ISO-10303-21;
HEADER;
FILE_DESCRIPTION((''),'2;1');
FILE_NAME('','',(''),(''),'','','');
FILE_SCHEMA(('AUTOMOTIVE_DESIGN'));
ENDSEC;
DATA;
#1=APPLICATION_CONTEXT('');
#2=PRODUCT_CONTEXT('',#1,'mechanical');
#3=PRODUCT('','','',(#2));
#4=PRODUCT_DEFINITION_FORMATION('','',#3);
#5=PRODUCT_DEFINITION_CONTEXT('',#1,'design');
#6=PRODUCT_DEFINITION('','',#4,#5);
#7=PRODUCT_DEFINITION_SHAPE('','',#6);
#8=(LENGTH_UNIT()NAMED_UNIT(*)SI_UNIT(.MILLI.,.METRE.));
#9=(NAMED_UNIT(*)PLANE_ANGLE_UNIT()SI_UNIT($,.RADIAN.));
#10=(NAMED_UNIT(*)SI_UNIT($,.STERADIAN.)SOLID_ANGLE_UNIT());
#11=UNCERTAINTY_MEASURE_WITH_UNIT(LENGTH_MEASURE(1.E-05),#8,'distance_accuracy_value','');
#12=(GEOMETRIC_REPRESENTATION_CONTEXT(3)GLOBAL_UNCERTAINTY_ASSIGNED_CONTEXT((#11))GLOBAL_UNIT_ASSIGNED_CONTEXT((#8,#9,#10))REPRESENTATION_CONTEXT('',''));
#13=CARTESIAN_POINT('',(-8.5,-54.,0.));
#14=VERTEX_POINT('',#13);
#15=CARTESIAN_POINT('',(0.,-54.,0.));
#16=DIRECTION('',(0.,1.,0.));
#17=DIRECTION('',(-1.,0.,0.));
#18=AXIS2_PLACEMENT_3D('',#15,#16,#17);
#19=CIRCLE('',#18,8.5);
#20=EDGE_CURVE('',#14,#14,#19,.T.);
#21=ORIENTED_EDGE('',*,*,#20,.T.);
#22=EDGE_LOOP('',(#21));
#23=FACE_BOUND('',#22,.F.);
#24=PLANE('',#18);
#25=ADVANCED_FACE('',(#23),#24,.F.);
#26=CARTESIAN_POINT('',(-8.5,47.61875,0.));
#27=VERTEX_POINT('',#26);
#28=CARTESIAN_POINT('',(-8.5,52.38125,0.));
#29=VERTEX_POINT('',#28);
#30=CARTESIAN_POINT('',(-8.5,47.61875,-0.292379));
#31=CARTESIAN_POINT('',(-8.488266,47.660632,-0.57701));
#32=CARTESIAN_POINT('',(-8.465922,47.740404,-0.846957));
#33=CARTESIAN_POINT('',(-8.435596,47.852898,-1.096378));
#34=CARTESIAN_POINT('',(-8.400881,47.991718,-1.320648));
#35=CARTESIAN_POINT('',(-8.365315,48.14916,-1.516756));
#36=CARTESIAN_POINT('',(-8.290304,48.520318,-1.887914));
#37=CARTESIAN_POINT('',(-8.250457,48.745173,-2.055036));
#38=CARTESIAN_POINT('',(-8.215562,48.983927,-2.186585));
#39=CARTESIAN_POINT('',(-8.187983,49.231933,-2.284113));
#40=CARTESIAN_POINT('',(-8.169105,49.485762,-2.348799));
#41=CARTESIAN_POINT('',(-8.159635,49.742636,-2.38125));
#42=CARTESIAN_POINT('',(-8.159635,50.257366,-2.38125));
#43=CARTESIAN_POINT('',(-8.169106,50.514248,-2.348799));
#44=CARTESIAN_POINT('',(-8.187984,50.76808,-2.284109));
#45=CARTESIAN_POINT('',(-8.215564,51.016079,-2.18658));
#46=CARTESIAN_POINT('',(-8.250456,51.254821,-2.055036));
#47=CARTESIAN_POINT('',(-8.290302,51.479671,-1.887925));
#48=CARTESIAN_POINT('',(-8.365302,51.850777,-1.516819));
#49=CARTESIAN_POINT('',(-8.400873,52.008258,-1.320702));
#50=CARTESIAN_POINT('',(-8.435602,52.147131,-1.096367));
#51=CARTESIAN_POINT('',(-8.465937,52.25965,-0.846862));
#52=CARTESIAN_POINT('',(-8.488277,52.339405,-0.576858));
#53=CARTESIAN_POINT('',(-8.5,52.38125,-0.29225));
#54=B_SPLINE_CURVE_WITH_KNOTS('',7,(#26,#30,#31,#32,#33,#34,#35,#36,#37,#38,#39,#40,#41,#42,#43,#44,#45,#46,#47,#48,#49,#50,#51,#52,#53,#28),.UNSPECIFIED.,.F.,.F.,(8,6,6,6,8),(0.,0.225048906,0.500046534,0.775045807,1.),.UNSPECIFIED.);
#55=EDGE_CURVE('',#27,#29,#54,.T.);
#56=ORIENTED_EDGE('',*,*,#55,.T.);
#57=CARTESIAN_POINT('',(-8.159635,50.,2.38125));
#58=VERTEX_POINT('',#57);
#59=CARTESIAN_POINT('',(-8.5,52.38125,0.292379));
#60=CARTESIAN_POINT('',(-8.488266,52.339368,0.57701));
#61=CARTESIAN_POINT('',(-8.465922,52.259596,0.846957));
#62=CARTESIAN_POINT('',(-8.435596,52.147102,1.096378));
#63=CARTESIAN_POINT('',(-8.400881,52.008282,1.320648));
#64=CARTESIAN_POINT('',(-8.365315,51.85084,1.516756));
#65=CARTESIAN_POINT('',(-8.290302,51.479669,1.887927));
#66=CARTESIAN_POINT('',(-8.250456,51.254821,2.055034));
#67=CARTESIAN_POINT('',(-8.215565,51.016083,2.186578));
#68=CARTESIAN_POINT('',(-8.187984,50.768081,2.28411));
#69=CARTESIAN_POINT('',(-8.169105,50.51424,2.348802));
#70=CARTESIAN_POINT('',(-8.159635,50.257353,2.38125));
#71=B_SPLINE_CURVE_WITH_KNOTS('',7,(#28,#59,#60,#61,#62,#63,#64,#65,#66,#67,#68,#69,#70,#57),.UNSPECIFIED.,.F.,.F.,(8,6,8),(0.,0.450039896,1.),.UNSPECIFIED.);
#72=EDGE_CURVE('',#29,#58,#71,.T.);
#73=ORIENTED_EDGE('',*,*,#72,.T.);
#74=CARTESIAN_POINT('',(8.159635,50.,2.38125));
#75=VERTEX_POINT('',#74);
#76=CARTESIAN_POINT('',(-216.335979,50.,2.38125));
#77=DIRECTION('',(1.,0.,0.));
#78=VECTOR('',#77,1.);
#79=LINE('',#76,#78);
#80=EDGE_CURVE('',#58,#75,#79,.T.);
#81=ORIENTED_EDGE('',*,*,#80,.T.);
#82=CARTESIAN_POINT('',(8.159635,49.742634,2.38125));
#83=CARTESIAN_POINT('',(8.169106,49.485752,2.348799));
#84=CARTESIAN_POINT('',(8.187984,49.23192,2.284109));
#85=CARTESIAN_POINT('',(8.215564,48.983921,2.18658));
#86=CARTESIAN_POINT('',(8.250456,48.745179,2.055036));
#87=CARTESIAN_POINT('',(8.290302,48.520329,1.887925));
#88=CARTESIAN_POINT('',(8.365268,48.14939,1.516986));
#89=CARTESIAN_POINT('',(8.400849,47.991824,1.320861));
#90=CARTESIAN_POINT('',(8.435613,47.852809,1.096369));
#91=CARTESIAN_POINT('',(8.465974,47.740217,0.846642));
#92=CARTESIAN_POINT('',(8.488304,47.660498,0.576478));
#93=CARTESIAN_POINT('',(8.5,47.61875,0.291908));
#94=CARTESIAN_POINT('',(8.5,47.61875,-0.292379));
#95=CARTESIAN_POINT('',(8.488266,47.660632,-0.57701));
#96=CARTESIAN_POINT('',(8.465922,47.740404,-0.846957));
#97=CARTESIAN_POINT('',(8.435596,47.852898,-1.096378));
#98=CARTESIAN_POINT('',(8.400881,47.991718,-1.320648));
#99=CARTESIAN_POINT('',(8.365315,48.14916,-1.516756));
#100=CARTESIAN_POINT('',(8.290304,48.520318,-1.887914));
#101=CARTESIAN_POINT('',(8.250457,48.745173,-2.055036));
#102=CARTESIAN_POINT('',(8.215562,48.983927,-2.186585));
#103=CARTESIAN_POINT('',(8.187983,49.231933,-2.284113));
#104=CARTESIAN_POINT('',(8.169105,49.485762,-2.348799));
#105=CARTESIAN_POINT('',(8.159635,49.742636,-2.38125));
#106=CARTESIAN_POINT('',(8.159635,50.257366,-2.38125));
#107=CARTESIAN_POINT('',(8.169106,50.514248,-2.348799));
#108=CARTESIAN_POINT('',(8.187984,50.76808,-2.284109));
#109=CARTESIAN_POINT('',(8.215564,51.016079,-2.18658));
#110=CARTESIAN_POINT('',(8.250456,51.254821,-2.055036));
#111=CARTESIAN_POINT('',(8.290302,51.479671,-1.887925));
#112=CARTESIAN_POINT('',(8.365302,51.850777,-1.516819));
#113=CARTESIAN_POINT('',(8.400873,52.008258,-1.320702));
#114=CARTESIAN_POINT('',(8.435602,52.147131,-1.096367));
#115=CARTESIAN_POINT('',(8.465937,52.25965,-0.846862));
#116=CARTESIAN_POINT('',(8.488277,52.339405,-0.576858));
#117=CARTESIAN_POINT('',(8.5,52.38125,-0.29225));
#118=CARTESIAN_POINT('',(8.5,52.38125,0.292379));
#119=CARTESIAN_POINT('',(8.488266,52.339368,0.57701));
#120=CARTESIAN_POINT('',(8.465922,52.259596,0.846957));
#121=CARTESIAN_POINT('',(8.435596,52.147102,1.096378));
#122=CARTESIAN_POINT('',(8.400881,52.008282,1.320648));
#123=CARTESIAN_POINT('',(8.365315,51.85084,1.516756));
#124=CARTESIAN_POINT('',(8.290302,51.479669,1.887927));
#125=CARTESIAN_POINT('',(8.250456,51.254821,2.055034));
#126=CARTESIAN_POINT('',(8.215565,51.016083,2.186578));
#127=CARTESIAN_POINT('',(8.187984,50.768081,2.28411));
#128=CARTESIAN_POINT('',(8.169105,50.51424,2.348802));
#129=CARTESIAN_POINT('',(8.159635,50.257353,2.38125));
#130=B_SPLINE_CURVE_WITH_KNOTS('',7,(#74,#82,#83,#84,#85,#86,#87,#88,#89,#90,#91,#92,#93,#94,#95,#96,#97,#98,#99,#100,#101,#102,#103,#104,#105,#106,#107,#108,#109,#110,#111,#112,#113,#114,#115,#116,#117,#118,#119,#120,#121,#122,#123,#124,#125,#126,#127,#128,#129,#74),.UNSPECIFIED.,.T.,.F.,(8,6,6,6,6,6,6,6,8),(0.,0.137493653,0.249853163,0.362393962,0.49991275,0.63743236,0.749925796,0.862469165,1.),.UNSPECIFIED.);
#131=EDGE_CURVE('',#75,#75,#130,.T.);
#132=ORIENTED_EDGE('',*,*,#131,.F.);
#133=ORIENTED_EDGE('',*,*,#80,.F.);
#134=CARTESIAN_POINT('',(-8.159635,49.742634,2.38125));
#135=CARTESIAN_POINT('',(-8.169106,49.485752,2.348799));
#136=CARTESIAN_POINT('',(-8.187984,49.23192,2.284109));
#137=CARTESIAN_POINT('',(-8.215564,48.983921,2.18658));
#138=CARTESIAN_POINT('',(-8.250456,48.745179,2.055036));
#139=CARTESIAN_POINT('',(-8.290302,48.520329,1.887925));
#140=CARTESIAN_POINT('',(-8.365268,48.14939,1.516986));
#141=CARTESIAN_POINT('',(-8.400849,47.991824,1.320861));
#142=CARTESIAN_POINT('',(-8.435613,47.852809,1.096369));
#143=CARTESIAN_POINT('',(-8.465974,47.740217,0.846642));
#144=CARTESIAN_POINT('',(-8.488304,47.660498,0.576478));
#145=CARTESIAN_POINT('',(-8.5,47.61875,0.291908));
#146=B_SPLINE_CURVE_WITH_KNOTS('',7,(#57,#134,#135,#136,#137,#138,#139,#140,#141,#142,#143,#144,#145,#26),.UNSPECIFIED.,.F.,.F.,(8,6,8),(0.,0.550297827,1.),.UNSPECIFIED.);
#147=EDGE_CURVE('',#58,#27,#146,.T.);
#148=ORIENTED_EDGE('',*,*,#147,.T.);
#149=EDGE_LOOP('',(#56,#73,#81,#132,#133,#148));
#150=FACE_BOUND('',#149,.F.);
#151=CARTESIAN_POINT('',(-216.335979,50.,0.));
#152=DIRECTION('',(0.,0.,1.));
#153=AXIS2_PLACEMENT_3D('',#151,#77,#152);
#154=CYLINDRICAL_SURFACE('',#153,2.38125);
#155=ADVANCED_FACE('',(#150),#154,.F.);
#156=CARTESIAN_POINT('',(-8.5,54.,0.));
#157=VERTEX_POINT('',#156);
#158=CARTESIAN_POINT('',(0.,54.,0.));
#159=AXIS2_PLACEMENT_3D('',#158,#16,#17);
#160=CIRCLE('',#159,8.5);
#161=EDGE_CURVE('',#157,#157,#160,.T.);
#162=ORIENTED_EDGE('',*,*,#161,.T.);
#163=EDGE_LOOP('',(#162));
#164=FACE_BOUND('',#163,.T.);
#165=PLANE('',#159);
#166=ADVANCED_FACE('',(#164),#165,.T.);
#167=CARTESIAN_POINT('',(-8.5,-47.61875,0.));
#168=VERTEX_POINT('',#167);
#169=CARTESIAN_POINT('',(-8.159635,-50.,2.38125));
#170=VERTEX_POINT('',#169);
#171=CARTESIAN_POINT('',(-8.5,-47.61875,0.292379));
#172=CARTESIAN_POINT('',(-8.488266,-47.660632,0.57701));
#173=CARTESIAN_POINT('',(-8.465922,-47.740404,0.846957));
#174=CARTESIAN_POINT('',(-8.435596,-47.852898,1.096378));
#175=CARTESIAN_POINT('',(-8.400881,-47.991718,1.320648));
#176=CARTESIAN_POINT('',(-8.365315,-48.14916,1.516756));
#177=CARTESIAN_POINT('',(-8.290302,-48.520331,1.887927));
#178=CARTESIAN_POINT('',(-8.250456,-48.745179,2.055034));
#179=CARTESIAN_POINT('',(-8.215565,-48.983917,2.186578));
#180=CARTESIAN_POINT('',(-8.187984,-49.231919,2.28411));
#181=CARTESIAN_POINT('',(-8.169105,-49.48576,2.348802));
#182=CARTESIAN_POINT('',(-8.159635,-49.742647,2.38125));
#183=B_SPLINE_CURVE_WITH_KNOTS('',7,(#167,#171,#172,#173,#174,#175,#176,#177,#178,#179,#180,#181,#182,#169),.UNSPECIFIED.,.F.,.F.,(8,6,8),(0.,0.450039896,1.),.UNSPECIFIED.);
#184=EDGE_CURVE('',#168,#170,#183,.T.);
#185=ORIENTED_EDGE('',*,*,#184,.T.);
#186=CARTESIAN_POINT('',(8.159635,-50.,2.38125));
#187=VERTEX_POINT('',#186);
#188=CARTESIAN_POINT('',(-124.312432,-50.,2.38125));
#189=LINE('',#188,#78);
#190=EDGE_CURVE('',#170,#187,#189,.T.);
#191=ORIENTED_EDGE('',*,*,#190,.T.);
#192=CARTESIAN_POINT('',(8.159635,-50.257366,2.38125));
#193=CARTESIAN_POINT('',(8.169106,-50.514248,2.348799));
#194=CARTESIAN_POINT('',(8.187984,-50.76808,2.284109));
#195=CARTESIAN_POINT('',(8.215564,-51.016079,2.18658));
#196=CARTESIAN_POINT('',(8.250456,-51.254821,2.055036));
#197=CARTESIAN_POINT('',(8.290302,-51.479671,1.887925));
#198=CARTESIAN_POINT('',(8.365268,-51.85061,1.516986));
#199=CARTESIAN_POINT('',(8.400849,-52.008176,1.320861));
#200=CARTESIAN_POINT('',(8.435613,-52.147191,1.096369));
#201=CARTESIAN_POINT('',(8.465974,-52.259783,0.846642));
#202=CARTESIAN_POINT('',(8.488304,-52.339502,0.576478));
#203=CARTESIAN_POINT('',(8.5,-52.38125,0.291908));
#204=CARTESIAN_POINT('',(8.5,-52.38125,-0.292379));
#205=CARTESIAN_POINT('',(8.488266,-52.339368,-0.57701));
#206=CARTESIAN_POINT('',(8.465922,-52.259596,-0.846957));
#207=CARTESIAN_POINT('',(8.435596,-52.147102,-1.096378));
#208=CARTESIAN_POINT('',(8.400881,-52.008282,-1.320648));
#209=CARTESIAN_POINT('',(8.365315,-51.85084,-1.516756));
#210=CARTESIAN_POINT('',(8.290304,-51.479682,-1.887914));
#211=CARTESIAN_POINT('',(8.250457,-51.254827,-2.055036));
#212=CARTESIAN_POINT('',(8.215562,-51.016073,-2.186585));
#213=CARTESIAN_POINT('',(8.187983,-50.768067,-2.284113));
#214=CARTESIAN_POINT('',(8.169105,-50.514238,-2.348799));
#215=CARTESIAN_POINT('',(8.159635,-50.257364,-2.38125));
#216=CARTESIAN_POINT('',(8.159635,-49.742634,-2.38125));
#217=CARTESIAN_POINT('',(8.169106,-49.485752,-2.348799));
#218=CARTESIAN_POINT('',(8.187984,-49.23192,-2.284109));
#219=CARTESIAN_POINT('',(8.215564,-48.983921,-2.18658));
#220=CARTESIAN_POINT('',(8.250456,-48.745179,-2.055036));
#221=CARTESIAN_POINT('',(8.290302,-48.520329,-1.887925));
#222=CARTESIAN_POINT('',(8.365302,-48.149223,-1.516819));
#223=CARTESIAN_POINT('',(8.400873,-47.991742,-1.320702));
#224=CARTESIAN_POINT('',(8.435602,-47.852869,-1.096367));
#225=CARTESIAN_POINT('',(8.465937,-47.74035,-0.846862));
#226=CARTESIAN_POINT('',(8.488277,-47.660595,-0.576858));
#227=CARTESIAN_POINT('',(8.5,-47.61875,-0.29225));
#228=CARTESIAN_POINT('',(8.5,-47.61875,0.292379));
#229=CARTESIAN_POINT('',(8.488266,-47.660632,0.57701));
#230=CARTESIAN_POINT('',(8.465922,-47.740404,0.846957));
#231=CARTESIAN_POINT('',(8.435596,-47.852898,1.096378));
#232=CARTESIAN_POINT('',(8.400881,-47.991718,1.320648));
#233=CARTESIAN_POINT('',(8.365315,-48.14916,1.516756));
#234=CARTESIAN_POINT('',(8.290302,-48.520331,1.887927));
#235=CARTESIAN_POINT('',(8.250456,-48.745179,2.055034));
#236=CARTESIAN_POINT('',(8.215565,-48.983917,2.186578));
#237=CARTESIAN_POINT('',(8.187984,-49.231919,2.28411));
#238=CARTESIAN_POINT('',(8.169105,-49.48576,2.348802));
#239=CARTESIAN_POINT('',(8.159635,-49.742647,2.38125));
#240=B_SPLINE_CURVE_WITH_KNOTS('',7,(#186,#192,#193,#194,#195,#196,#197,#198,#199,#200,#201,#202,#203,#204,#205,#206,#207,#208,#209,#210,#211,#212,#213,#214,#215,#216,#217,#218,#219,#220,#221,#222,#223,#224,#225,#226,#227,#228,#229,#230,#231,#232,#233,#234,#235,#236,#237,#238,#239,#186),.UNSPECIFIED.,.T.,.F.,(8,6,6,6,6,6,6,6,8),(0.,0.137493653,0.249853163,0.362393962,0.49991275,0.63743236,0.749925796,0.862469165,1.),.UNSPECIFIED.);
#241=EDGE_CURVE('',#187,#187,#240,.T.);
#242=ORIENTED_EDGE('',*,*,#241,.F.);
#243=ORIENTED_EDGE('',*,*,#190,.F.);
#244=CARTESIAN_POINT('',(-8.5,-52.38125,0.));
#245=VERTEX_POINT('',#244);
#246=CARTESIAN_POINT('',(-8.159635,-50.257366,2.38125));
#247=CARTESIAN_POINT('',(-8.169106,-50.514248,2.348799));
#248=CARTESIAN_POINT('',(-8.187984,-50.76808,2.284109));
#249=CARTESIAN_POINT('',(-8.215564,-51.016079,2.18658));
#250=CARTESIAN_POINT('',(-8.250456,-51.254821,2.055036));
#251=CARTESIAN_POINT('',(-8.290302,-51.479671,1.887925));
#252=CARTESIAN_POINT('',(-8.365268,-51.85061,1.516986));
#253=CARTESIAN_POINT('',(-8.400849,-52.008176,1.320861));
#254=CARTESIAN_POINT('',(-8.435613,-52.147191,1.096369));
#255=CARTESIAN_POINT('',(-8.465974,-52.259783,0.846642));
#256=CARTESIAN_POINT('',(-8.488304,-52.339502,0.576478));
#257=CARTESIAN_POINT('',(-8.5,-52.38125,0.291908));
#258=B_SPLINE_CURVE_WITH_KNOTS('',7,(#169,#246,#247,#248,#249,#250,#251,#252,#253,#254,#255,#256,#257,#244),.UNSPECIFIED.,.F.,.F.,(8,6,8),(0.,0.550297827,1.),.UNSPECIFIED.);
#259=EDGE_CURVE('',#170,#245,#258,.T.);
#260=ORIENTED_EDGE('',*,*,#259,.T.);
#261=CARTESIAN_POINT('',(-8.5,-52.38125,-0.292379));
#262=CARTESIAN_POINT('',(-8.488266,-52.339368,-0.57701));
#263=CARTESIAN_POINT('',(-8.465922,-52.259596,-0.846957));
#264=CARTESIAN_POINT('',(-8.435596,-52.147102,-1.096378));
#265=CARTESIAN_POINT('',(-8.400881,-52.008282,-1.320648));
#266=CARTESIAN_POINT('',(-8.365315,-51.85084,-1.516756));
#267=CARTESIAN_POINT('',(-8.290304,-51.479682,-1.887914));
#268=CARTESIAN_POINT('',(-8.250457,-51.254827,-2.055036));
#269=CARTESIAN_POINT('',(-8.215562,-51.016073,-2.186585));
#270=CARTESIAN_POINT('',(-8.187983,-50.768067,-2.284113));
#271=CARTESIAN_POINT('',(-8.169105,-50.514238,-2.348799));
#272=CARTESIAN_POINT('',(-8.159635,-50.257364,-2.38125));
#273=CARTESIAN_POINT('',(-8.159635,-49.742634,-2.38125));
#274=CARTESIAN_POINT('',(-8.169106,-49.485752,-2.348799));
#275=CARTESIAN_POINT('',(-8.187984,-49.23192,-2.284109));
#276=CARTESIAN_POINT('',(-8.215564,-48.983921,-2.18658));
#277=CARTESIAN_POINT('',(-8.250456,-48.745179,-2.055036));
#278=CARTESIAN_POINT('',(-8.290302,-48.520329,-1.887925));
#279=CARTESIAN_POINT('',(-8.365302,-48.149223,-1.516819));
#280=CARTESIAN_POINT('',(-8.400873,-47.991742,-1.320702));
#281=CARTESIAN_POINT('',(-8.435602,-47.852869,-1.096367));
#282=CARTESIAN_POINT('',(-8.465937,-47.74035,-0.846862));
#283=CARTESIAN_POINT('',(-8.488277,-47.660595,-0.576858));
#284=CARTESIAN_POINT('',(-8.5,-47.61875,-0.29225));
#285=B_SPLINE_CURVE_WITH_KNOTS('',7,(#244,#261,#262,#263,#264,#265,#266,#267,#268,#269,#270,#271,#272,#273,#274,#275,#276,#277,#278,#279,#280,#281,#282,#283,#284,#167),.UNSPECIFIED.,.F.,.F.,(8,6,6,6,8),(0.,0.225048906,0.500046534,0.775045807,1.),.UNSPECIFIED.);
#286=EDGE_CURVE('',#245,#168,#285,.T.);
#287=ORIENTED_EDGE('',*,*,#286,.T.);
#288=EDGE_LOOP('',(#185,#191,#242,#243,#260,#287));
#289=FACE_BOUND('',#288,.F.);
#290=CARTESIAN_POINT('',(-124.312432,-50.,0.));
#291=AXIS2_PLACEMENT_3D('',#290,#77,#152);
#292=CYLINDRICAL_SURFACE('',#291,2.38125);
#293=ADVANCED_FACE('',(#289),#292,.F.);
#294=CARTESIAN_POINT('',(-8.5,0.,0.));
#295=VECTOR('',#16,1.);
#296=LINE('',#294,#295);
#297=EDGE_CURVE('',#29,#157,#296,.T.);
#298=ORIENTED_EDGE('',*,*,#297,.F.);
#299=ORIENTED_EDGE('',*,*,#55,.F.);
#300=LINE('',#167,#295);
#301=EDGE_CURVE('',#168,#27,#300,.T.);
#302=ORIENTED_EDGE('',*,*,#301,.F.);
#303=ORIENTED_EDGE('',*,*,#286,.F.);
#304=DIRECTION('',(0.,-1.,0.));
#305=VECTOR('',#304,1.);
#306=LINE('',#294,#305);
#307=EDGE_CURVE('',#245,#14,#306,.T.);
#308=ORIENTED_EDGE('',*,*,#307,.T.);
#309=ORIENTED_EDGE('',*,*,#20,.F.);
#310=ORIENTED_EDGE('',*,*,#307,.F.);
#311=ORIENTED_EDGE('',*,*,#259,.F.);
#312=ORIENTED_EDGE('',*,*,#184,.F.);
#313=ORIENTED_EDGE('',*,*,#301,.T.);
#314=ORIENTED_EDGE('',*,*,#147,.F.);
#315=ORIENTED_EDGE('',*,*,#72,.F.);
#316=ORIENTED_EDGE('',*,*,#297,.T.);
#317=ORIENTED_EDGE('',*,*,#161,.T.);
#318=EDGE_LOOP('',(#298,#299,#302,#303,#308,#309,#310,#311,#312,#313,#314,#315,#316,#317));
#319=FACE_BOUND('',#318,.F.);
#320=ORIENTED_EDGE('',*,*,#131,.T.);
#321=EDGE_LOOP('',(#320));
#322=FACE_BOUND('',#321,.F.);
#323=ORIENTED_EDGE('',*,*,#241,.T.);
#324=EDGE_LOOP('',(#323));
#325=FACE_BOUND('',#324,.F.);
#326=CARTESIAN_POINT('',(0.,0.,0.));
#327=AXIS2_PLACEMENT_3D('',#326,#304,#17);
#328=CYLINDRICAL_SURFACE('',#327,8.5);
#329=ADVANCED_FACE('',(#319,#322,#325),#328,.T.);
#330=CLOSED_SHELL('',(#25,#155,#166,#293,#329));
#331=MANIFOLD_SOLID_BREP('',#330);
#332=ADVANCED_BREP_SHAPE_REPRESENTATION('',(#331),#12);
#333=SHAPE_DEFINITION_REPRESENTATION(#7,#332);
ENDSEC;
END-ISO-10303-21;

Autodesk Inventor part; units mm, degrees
ref_plane "YZ Plane" through (0, 0, 0) normal (1, 0, 0) x (0, 1, 0)
ref_plane "XZ Plane" through (0, 0, 0) normal (0, 1, 0) x (-1, 0, 0)
ref_plane "XY Plane" through (0, 0, 0) normal (0, 0, 1) x (1, 0, 0)
sketch "Sketch1" plane through (0, 0, 0) normal (0, 1, 0) x (-1, 0, 0)
  circle A0 centre (0, 0) radius 8.5
  dimension "d0" = 17
extrude "Extrusion1" add sketch "Sketch1" along normal mid plane 108
sketch "Sketch2" plane through (0, 0, 0) normal (1, 0, 0) x (0, 1, 0)
  line L0 (50, 0) -> (-50, 0)
  point P0 (0, 0)
  point P1 (0, 0)
  dimension "d3" = 100
hole "Hole1" at (0, 50, 0) at (0, -50, 0) direction (1, 0, 0) diameter 4.7625 end through all both
properties part number "SUS-ShockAbsorber"
